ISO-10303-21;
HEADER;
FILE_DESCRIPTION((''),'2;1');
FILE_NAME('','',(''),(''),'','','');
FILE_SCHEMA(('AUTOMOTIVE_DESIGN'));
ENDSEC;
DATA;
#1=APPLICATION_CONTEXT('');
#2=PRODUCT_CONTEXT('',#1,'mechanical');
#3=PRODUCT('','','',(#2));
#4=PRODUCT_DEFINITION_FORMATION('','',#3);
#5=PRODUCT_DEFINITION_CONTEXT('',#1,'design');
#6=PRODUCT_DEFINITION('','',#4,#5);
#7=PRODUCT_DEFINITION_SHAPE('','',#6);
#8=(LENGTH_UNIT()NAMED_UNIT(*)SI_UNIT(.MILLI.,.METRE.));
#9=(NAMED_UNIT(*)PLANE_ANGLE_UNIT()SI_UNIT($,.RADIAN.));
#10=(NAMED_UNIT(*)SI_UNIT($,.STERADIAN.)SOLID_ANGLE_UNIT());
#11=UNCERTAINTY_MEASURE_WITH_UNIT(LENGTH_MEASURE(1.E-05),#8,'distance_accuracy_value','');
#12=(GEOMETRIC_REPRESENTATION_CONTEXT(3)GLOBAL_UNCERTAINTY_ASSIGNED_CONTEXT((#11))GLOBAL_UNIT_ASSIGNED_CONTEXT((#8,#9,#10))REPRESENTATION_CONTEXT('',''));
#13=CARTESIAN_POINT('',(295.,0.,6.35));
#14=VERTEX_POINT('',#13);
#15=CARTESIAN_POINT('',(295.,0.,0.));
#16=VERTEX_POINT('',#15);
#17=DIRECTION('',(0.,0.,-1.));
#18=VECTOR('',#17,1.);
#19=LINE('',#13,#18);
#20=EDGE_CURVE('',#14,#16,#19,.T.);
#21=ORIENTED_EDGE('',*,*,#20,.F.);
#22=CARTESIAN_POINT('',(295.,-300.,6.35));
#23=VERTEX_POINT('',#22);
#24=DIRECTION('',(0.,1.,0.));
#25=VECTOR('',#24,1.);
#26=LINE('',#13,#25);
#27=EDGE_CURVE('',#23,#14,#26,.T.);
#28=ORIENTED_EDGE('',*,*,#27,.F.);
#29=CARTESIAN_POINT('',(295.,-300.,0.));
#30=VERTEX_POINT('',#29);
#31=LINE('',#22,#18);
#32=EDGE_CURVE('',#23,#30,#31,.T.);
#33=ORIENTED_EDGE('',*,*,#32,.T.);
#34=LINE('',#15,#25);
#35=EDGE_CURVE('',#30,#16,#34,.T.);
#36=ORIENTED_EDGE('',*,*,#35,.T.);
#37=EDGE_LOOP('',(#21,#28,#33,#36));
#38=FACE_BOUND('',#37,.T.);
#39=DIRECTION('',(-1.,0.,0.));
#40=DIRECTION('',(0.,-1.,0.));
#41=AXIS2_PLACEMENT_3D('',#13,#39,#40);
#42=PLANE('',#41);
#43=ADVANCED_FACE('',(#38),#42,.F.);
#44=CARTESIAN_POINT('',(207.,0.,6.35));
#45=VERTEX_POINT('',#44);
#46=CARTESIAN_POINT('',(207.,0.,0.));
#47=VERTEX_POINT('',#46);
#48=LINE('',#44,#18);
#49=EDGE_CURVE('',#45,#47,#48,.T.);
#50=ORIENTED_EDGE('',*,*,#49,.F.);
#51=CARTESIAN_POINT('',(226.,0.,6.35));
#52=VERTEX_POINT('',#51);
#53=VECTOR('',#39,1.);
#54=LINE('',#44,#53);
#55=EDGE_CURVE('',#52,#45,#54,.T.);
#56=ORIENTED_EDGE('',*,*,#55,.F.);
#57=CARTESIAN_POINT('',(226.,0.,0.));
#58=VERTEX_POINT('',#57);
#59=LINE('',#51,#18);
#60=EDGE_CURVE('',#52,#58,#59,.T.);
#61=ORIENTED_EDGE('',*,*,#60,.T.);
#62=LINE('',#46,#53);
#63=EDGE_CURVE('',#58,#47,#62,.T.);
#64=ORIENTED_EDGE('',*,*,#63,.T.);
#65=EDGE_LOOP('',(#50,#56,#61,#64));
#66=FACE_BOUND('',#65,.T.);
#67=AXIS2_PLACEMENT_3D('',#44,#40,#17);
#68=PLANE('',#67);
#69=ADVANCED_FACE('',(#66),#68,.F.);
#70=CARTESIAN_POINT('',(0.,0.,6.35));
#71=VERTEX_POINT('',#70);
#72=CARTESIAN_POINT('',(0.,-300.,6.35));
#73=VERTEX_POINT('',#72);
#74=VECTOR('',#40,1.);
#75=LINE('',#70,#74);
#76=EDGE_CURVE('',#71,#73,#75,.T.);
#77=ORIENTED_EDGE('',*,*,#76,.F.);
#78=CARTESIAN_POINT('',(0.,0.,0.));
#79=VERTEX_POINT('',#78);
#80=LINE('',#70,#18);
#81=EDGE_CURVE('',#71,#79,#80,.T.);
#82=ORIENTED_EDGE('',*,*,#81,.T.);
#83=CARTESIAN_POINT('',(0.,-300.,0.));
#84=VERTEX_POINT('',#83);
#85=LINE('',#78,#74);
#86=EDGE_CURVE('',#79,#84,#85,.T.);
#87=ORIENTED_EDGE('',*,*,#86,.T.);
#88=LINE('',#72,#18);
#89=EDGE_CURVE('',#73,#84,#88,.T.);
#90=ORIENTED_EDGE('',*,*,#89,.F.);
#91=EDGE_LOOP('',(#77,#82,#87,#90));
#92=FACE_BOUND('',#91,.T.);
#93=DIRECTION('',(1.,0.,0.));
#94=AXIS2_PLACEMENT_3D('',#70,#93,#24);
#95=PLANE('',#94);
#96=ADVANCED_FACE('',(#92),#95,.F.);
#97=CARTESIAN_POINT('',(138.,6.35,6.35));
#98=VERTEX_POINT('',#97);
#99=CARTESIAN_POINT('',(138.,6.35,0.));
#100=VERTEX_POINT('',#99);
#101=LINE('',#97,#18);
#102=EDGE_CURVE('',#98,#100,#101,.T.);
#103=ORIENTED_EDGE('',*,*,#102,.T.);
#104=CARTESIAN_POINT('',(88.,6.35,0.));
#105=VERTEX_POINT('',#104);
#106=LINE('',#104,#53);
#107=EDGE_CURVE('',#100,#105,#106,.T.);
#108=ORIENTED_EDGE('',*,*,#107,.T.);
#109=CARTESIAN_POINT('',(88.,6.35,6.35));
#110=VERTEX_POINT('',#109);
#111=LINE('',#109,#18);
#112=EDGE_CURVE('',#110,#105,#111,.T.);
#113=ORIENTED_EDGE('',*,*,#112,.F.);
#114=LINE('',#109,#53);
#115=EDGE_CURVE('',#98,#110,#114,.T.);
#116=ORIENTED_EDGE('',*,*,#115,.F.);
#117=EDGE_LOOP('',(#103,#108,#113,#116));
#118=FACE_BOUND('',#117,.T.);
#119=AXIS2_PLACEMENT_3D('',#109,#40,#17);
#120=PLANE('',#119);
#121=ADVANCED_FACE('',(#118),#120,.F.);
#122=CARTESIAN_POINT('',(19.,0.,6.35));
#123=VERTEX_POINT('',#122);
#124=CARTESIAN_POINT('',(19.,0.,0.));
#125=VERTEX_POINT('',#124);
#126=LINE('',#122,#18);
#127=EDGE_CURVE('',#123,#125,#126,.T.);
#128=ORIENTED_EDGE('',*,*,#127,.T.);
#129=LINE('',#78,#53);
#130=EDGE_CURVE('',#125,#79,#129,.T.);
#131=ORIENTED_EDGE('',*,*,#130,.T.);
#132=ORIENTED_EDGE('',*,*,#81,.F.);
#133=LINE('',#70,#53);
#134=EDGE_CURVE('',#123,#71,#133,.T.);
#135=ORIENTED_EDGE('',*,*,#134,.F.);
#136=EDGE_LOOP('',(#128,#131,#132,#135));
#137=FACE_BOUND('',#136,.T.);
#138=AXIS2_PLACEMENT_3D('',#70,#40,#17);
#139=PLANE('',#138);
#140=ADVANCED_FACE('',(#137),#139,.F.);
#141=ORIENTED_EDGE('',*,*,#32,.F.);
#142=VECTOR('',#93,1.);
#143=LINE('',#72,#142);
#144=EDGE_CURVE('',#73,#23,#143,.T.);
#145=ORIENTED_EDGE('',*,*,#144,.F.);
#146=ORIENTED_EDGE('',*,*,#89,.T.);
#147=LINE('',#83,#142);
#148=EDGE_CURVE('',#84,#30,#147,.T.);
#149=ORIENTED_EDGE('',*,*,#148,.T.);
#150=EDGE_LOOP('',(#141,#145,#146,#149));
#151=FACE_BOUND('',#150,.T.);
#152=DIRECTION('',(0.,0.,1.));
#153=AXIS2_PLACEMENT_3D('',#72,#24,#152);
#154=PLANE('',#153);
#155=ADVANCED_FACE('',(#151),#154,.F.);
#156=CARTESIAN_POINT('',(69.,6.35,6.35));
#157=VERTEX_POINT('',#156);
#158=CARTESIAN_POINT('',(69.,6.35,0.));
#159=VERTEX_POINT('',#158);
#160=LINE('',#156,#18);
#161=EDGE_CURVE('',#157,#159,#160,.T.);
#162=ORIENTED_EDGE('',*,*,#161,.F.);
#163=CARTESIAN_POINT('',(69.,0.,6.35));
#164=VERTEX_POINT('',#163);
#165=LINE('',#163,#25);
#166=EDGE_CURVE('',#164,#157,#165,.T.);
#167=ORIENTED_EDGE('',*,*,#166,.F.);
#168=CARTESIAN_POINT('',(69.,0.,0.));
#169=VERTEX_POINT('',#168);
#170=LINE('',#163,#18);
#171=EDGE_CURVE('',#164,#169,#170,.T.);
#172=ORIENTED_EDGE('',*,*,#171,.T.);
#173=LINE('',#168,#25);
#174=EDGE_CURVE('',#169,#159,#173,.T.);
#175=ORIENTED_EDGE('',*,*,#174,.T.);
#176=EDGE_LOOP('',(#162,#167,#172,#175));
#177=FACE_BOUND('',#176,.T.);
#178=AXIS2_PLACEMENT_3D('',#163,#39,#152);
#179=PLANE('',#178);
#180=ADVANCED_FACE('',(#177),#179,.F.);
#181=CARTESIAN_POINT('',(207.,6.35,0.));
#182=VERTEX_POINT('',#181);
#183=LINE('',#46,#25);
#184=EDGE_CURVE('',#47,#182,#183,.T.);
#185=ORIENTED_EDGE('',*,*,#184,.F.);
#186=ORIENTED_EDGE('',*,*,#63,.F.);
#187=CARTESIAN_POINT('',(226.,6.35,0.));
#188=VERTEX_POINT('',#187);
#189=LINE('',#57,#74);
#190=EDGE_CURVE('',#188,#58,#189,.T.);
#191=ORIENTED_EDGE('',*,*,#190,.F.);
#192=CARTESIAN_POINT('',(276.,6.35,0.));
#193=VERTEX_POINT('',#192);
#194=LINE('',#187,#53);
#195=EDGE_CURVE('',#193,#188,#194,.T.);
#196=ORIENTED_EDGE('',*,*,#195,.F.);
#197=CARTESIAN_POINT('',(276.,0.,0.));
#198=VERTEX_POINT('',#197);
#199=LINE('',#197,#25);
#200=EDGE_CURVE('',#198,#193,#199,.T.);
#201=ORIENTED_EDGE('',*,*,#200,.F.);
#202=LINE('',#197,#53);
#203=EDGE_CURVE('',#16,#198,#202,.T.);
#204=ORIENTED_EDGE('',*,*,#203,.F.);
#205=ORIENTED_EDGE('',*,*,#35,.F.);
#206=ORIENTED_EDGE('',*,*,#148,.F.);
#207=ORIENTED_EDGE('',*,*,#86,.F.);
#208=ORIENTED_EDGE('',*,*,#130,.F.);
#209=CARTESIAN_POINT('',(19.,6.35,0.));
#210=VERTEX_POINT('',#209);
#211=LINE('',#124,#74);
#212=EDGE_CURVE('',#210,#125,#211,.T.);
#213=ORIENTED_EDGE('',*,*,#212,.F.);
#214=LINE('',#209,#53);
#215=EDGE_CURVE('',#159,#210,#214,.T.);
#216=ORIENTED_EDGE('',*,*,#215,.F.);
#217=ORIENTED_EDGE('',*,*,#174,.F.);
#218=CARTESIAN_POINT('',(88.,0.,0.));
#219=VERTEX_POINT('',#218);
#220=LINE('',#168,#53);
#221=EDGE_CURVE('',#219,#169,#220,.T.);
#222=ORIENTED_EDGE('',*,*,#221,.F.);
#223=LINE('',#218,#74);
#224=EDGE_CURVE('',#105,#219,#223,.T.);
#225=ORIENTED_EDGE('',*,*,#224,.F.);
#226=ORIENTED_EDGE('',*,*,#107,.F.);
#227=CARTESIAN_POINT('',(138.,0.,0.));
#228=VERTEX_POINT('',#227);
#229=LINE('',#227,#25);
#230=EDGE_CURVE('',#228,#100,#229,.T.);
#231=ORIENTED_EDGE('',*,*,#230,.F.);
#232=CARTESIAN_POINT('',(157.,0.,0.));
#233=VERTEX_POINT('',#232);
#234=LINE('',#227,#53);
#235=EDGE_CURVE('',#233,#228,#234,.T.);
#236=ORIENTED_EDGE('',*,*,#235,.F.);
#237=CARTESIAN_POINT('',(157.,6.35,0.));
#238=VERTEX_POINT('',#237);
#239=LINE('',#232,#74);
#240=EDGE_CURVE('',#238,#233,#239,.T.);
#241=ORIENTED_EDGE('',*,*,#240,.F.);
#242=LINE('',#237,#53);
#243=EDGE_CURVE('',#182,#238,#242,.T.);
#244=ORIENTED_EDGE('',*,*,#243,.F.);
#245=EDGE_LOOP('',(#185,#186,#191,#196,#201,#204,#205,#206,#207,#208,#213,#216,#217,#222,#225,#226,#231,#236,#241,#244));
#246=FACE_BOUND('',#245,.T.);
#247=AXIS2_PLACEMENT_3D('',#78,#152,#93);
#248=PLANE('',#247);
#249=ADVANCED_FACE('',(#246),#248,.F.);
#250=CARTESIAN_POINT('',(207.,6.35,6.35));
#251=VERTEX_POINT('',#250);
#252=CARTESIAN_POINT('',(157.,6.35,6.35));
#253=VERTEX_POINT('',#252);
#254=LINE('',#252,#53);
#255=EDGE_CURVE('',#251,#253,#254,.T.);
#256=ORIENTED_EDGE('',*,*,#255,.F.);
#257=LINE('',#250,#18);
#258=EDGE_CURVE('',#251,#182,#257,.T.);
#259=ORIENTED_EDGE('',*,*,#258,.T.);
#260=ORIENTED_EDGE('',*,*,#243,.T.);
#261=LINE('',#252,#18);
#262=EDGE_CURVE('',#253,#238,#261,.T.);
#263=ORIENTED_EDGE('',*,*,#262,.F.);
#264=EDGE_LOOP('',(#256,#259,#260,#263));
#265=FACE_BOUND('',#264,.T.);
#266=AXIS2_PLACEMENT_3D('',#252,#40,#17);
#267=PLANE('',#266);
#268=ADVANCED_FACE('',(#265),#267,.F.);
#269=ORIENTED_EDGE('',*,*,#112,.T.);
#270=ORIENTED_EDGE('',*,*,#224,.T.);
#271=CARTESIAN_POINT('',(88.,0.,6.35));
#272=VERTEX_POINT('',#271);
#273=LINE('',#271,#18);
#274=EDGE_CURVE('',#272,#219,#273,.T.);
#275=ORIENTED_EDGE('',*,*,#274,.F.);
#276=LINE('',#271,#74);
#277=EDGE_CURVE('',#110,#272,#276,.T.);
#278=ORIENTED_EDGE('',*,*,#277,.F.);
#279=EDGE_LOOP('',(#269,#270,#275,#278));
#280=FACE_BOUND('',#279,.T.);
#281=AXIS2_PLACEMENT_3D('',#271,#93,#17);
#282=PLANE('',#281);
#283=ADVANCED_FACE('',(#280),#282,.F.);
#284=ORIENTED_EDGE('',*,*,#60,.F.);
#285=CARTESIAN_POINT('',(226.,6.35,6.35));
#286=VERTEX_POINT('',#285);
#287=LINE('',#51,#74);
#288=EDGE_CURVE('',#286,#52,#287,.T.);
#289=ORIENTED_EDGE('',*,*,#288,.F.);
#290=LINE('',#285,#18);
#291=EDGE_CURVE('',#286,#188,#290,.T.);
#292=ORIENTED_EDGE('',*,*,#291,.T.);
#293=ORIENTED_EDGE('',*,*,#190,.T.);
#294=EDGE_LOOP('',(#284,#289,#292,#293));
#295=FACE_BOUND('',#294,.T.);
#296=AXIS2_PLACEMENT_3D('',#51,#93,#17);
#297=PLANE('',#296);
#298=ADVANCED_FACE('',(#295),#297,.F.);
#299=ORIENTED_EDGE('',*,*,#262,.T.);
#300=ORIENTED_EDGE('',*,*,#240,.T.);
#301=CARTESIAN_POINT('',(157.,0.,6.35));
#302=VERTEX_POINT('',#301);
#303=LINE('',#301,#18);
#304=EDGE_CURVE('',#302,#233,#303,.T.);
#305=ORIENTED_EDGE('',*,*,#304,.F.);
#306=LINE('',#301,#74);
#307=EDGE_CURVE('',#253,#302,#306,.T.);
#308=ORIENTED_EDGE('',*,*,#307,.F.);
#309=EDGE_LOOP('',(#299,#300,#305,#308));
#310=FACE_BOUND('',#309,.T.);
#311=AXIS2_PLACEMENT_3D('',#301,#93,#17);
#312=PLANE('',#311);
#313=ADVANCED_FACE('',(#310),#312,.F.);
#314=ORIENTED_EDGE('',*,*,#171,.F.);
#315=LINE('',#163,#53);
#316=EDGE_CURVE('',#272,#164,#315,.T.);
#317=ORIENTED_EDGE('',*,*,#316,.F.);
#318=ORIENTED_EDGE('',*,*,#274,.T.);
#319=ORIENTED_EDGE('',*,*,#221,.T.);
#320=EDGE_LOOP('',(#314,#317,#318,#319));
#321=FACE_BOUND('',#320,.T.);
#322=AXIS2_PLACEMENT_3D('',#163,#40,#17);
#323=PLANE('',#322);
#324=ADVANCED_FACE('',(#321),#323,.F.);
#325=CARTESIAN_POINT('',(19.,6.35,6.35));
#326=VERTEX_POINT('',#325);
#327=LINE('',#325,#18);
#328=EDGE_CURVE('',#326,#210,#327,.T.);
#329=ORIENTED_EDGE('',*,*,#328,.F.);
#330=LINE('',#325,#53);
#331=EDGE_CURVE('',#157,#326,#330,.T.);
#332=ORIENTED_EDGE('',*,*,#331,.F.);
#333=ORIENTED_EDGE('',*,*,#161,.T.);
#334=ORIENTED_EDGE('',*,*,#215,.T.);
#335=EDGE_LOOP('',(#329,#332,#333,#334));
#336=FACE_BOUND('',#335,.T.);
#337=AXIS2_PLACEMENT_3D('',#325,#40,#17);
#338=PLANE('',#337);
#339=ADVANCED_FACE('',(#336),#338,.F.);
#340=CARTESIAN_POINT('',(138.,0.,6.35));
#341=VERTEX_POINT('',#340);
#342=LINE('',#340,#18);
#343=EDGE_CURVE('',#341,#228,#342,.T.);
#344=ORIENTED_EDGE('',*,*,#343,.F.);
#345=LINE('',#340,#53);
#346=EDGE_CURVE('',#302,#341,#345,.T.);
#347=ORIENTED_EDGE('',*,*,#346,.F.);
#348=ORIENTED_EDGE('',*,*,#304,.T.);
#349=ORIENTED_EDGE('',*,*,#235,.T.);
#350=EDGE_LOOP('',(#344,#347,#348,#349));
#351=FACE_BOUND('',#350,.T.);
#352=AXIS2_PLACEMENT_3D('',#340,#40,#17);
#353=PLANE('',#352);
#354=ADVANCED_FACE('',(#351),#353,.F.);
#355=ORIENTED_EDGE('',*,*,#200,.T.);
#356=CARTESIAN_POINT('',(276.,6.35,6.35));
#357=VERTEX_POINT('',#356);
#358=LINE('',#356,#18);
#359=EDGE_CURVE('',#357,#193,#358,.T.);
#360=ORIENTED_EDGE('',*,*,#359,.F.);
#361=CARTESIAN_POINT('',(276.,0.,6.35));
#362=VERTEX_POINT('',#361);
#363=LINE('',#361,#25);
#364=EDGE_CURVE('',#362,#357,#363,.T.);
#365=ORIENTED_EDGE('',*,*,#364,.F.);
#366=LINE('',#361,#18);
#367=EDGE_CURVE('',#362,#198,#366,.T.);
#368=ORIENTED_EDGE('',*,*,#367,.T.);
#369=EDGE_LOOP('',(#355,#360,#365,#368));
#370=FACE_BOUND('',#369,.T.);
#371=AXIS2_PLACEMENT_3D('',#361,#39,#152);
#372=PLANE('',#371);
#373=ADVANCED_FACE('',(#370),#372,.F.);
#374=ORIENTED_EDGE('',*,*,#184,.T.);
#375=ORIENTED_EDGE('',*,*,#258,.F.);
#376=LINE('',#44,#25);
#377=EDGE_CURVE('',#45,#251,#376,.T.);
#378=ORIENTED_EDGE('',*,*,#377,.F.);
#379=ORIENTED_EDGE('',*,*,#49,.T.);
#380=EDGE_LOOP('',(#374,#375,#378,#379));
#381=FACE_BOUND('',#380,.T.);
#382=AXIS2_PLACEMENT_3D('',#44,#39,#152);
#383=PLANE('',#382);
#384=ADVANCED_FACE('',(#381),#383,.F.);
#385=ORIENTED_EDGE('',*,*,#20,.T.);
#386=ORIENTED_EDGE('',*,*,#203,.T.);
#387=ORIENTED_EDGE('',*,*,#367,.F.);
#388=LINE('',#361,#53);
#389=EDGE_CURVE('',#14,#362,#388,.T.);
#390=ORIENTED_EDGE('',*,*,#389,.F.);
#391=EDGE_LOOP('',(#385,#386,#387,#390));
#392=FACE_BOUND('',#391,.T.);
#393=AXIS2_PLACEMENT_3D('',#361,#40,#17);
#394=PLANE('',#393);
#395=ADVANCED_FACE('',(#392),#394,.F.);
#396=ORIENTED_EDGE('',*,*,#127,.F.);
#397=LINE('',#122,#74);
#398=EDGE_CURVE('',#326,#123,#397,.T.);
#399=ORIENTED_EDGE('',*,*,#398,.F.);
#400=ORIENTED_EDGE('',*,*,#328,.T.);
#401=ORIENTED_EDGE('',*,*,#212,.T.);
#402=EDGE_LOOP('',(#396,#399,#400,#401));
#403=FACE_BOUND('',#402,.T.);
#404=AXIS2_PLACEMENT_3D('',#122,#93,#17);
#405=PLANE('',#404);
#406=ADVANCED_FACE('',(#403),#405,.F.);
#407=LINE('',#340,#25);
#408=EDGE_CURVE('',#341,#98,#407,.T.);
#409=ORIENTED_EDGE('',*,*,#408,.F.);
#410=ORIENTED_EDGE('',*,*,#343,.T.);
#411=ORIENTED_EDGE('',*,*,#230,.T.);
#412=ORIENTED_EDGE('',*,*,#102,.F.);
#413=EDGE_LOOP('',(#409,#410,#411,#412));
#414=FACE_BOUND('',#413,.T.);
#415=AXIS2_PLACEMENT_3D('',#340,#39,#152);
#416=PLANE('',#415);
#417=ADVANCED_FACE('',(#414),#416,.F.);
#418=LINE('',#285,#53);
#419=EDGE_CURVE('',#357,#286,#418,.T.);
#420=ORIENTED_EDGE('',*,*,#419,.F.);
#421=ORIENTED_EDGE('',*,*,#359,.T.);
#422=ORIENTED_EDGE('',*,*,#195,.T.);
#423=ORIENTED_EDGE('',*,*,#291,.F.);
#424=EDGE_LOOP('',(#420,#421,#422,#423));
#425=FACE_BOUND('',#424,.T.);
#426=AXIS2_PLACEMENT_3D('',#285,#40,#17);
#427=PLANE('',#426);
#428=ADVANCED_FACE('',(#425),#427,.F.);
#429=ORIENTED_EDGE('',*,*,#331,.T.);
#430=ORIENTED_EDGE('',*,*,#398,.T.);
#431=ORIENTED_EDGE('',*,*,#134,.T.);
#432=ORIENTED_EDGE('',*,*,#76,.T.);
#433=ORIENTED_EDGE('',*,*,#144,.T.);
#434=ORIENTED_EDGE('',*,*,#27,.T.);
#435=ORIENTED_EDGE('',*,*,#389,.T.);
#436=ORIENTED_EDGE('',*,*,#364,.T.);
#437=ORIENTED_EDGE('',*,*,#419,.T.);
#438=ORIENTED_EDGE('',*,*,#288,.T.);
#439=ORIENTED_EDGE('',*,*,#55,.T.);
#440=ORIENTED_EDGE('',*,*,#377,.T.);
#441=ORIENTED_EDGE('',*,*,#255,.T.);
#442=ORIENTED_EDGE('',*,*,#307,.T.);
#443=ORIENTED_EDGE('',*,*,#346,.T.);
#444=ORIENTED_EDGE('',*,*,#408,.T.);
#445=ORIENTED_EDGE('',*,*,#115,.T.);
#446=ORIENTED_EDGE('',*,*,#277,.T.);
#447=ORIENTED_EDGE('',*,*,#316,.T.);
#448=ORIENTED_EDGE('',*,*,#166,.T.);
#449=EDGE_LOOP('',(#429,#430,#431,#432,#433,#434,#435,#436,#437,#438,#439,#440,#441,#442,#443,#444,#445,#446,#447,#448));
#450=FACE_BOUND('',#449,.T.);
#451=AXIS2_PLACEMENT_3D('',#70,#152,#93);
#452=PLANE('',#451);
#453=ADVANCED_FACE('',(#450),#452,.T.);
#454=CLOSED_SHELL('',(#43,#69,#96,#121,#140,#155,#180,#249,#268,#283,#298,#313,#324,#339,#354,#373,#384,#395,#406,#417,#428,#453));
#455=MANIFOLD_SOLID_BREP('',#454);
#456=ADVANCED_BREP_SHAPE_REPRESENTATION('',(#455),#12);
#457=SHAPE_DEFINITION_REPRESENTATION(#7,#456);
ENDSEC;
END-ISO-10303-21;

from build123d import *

# Parameters (mm, degrees)
BOSS_EXTRUDE1_DEPTH = 6.35


with BuildPart() as part:
    # Sketch2 → Boss-Extrude1 (new body)
    with BuildSketch(Plane.XY):
        Polygon((0, 0), (19, 0), (19, 6.35), (69, 6.35), (69, 0), (88, 0), (88, 6.35), (138, 6.35), (138, 0), (157, 0), (157, 6.35), (207, 6.35), (207, 0), (226, 0), (226, 6.35), (276, 6.35), (276, 0), (295, 0), (295, -300), (0, -300), align=None)
    extrude(amount=BOSS_EXTRUDE1_DEPTH)


solid = part.part
